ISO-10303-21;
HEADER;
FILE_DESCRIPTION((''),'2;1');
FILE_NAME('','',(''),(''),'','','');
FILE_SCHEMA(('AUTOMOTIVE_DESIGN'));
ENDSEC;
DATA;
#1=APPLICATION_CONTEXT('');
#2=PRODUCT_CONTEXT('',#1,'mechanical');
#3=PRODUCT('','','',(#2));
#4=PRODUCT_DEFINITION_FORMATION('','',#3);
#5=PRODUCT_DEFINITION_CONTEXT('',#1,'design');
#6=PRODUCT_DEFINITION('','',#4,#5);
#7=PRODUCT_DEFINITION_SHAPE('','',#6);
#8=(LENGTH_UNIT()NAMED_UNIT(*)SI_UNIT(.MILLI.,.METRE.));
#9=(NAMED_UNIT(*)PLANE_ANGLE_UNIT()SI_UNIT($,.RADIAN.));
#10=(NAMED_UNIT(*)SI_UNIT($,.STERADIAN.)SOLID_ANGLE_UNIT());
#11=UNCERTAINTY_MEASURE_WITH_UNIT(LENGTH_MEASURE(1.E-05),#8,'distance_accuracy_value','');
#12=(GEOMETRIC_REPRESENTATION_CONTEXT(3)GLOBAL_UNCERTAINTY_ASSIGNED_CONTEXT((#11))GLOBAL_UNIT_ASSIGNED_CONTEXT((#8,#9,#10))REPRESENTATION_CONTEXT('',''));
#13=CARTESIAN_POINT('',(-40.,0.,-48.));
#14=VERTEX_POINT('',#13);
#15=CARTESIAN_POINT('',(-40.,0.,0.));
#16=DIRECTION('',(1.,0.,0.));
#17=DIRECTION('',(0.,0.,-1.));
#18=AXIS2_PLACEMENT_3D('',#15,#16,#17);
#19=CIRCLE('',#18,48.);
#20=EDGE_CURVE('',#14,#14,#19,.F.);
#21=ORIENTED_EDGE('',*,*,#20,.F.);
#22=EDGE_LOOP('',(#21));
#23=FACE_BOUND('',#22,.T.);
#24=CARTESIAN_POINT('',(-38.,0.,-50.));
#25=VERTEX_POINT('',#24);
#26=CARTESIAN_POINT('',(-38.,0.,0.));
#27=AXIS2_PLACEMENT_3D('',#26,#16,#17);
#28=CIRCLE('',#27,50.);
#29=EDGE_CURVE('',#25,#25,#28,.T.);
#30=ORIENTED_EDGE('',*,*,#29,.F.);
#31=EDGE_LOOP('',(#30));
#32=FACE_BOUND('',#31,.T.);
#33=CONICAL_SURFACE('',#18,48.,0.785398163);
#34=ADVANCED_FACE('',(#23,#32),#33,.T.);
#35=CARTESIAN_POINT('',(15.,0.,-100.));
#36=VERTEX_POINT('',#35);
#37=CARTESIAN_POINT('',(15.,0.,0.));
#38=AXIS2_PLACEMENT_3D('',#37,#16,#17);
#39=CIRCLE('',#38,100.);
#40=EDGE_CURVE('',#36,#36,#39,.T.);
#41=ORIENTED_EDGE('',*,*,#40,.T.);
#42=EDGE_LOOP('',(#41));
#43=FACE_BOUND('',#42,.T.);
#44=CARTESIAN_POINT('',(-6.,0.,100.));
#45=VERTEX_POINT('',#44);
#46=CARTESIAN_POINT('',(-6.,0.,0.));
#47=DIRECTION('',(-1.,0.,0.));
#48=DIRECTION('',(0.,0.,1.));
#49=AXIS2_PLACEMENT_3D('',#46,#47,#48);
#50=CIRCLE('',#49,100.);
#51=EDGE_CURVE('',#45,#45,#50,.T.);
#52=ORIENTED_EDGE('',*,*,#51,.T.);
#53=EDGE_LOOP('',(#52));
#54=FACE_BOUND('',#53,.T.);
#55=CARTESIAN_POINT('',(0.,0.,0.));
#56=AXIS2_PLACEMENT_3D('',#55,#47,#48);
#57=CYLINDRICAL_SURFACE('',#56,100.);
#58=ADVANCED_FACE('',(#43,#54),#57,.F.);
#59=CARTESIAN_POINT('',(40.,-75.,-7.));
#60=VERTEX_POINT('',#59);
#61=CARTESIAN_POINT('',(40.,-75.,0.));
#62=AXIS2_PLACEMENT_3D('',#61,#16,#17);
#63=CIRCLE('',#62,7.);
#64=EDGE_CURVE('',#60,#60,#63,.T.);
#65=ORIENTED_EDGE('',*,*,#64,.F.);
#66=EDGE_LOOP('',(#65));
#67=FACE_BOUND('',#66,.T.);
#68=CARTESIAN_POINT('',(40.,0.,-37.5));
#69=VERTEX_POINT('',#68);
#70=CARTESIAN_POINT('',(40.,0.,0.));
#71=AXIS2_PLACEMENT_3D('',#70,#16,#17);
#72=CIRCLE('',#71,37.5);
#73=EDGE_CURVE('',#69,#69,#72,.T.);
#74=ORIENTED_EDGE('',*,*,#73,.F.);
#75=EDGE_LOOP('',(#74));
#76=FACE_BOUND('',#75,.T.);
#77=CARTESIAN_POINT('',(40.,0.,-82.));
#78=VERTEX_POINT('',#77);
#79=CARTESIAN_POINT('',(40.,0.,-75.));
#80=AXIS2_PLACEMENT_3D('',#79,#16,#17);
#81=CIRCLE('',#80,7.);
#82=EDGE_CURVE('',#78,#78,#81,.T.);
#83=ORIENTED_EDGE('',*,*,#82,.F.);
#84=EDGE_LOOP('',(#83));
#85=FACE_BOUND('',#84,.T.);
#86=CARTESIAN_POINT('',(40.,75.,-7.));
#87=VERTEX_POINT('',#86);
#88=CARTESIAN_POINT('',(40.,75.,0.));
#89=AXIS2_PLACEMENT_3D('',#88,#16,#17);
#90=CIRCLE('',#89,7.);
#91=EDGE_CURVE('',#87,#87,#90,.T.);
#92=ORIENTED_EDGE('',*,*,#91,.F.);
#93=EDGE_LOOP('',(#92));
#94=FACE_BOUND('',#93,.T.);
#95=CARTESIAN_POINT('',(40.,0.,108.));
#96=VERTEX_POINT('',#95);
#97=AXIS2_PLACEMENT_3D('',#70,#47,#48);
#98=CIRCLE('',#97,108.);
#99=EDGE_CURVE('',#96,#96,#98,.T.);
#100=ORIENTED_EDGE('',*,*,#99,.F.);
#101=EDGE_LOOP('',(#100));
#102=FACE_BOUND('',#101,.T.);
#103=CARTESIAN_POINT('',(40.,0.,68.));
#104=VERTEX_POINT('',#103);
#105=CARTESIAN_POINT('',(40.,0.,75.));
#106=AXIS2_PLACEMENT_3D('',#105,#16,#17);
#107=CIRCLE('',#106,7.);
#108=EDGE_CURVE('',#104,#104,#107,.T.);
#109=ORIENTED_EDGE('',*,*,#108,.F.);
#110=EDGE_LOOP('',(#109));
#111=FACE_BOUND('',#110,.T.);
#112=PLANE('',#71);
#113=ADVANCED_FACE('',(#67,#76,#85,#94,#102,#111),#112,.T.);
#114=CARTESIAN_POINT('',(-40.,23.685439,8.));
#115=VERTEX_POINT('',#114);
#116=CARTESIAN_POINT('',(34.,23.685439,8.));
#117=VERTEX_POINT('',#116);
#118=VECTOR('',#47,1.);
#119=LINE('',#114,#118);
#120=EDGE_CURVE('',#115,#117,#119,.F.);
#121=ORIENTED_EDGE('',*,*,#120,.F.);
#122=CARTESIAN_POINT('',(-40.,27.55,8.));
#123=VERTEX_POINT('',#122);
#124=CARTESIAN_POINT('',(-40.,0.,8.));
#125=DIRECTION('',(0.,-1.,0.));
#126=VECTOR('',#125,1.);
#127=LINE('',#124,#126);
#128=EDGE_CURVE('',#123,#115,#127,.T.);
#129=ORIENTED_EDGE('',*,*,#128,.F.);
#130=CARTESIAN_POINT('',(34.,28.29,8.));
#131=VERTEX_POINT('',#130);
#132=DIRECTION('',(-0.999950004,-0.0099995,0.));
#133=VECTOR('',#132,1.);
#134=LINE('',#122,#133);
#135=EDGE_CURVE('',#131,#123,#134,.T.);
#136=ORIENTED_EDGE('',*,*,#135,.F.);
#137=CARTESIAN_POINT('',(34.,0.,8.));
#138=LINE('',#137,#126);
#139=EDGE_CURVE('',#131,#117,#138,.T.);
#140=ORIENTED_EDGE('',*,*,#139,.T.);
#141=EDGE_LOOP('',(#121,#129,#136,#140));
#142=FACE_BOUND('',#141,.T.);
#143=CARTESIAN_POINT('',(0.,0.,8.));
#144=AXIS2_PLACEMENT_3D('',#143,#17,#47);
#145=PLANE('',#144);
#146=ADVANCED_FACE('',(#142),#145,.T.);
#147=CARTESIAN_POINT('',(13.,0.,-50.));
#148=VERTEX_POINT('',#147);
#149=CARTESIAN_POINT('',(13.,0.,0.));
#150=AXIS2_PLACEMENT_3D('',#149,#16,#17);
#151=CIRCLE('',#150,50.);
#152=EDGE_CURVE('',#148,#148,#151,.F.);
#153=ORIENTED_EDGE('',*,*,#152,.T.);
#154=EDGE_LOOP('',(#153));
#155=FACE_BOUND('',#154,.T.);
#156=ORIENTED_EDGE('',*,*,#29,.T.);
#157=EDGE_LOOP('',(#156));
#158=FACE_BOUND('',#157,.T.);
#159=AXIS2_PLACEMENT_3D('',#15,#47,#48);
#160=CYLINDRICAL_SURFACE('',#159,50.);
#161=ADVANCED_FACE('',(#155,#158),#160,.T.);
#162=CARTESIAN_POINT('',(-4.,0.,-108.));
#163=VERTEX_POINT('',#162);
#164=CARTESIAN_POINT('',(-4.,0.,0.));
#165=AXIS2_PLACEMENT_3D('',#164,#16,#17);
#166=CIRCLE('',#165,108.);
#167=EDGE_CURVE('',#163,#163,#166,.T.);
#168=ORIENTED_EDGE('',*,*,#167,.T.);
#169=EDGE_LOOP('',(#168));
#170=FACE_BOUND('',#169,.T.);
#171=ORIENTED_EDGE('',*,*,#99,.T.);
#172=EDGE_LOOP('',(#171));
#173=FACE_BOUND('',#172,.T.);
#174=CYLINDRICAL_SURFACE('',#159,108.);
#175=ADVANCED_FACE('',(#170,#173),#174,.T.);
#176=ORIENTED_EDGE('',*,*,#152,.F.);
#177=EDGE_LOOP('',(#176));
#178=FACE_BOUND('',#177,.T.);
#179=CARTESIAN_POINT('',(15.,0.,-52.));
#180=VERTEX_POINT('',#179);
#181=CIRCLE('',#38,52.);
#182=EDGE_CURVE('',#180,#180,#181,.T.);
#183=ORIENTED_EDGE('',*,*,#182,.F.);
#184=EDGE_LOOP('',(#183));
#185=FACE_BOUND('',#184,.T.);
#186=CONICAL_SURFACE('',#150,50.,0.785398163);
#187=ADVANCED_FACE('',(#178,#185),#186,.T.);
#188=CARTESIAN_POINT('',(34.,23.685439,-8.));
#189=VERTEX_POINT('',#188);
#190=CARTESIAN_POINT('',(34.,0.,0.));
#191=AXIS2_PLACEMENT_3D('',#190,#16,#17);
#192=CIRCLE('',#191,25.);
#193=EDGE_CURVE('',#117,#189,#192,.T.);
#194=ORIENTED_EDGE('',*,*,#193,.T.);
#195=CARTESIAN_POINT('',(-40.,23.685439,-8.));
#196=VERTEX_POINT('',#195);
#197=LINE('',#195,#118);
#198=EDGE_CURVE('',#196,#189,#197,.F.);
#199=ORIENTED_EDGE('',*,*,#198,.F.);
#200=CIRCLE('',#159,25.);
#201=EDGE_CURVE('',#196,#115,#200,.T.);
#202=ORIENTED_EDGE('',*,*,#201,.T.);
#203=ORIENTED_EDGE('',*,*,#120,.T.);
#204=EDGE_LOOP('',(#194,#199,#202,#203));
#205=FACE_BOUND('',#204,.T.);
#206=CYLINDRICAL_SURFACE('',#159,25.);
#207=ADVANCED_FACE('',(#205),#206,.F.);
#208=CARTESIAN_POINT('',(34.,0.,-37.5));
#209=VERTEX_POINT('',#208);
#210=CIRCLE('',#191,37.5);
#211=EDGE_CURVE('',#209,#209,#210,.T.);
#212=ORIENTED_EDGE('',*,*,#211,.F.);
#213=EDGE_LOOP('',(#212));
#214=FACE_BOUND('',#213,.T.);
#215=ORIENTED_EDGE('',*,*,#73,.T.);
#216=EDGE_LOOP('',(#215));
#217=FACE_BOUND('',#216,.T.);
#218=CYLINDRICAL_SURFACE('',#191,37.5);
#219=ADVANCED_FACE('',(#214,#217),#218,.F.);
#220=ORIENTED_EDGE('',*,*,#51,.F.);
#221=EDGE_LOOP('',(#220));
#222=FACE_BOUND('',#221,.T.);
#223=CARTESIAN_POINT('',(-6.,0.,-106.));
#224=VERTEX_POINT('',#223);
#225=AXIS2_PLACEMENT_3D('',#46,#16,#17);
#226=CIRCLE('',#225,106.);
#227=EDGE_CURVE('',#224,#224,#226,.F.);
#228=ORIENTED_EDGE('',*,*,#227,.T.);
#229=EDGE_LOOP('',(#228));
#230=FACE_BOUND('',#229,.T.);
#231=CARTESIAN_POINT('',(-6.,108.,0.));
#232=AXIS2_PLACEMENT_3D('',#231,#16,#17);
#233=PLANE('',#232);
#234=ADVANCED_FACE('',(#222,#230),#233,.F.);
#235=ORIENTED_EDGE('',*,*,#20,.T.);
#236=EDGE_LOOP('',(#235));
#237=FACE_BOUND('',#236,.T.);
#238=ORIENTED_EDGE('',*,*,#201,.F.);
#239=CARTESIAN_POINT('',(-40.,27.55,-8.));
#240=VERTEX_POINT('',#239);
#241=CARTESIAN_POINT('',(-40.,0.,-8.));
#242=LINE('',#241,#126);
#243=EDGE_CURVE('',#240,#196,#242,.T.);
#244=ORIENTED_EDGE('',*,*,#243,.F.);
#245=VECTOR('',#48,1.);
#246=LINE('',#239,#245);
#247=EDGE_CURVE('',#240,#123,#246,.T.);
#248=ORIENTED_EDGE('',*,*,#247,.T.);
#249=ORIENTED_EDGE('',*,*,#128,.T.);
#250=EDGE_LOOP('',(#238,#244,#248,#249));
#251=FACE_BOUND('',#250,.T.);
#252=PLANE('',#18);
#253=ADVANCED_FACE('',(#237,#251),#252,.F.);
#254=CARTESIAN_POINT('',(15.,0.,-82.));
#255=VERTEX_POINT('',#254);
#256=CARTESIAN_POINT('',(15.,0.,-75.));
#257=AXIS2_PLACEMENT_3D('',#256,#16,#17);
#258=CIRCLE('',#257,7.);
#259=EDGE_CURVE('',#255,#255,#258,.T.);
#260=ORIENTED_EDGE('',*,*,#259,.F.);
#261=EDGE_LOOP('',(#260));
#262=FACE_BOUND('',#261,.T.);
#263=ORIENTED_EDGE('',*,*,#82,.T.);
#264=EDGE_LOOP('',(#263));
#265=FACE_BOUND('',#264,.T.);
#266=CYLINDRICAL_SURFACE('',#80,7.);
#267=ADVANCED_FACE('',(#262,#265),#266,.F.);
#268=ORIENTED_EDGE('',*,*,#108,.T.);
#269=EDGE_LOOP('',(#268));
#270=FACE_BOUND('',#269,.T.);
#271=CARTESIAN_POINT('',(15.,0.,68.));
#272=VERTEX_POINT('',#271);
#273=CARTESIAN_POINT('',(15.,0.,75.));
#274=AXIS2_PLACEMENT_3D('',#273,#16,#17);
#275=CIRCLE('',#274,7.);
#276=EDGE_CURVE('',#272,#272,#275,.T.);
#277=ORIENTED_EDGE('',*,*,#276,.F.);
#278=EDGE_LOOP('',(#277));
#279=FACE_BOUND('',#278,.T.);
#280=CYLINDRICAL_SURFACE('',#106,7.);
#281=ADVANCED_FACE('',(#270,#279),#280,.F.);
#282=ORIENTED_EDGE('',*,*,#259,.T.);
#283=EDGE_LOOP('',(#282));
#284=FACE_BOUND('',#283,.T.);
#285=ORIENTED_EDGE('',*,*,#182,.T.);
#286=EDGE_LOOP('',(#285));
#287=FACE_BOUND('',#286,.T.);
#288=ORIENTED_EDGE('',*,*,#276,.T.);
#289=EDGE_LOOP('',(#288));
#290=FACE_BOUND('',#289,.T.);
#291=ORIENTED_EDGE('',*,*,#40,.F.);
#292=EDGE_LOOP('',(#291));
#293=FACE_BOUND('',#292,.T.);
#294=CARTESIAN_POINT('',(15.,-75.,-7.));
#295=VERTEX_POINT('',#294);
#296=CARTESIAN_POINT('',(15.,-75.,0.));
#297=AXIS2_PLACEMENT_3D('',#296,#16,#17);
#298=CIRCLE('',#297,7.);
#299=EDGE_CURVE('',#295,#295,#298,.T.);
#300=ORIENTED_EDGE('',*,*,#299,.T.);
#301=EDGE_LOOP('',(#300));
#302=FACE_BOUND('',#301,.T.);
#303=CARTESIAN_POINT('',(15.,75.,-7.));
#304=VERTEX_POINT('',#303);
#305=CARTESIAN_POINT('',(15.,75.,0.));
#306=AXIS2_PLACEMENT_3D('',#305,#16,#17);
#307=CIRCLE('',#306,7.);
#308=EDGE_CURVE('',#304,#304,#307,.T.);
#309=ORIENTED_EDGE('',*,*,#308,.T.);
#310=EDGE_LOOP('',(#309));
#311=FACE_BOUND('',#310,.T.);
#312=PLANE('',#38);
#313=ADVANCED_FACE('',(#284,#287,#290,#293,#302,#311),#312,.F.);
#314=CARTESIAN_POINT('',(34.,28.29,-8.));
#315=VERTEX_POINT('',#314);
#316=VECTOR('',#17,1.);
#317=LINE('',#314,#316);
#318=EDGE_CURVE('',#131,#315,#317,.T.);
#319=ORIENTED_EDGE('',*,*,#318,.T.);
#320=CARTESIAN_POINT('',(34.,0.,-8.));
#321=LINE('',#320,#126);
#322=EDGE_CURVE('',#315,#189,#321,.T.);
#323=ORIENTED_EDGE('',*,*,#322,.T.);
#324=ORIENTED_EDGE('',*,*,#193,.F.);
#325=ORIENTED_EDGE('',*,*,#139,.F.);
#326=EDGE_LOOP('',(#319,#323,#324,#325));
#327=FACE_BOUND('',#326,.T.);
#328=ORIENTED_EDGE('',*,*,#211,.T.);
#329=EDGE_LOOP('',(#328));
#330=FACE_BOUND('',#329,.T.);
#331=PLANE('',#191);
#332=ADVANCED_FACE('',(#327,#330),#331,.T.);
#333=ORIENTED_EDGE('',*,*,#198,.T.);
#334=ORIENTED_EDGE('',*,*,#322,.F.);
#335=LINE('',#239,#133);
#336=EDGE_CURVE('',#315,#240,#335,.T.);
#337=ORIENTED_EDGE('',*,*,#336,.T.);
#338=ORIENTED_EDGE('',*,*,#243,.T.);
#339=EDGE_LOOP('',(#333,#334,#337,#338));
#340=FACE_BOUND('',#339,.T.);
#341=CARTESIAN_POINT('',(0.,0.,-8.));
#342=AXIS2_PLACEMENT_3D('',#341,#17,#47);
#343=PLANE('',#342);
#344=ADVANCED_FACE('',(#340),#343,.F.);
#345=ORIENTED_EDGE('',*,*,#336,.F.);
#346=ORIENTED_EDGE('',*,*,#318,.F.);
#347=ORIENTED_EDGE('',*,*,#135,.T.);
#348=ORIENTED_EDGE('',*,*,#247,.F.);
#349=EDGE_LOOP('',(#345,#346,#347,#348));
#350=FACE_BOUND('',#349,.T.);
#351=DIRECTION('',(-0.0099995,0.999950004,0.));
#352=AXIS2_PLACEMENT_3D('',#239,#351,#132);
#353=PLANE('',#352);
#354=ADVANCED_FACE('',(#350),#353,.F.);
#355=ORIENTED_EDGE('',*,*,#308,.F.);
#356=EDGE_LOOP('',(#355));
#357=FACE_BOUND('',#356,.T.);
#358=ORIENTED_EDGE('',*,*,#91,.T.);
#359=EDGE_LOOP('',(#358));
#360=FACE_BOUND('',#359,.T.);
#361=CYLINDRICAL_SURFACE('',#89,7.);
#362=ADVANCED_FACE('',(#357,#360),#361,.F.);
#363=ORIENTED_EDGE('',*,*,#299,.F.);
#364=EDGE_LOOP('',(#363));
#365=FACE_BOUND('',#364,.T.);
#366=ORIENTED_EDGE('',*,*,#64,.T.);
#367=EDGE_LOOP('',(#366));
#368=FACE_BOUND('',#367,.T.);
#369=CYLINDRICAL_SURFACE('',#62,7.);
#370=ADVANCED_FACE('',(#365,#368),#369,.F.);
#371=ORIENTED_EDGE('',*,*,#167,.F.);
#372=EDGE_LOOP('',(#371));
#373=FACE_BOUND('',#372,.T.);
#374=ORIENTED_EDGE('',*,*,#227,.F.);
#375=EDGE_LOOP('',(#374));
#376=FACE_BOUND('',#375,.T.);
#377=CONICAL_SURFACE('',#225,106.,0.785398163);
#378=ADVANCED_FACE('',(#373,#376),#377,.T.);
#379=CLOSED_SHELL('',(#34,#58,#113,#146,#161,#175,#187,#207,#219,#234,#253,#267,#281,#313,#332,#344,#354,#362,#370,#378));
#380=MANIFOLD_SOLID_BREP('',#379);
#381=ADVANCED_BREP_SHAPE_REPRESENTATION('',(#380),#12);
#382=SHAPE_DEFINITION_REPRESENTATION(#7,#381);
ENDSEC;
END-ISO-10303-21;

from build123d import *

# Parameters (mm, degrees)
M16X2_0_TAPPED_HOLE1_D = 14
SKETCH4_W              = 21
SKETCH4_H              = 8
CUT_EXTRUDE1_DEPTH     = 8
CHAMFER2_SIZE          = 2
CUT_EXTRUDE2_START     = -11
SKETCH6_R              = 37.5
CUT_EXTRUDE2_DEPTH     = 11


with BuildPart() as part:
    # Sketch1 → Revolve1 (revolve)
    with BuildSketch(Plane.XY, mode=Mode.PRIVATE) as revolve1_sk:
        Polygon((-40, 25), (40, 25), (45, 25), (45, 37.5), (40, 37.5), (40, 108), (15, 108), (15, 50), (-40, 50), align=None)
    revolve(revolve1_sk.sketch.rotate(Axis((-40, 0, 0), (1, 0, 0)), 90), axis=Axis((-40, 0, 0), (1, 0, 0)))

    # M16x2.0 Tapped Hole1 (through all)
    with Locations(Plane(origin=(40, 0, 0), x_dir=(0, 0, -1), z_dir=(1, 0, 0))):
        with Locations((-75, 0), (0, 75), (75, 0), (0, -75)):
            Hole(M16X2_0_TAPPED_HOLE1_D / 2)

    # Sketch4 → Revolve2 (revolve)
    with BuildSketch(Plane.XY, mode=Mode.PRIVATE) as revolve2_sk:
        with Locations((4.5, 104)):
            Rectangle(SKETCH4_W, SKETCH4_H)
    revolve(revolve2_sk.sketch.rotate(Axis((0, 0, 0), (1, 0, 0)), 90), axis=Axis((0, 0, 0), (1, 0, 0)))

    # Sketch5 → Cut-Extrude1 (cut, symmetric)
    with BuildSketch(Plane.XY):
        Polygon((-40, 0), (45, 0), (45, 28.4), (-40, 27.55), align=None)
    extrude(amount=CUT_EXTRUDE1_DEPTH, both=True, mode=Mode.SUBTRACT)

    # Chamfer2
    chamfer2_edges = [part.edges().sort_by_distance(p)[0] for p in [
        (45, 0, -37.5),
        (-6, 0, -108),
        (-40, 0, -50),
        (15, 0, -50),
    ]]
    chamfer(chamfer2_edges, length=CHAMFER2_SIZE)

    # Sketch6 → Cut-Extrude2 (cut)
    with BuildSketch(Plane(origin=(45, 0, 0), x_dir=(0, 0, -1), z_dir=(1, 0, 0)).offset(CUT_EXTRUDE2_START)):
        Circle(SKETCH6_R)
    extrude(amount=CUT_EXTRUDE2_DEPTH, mode=Mode.SUBTRACT)


solid = part.part
